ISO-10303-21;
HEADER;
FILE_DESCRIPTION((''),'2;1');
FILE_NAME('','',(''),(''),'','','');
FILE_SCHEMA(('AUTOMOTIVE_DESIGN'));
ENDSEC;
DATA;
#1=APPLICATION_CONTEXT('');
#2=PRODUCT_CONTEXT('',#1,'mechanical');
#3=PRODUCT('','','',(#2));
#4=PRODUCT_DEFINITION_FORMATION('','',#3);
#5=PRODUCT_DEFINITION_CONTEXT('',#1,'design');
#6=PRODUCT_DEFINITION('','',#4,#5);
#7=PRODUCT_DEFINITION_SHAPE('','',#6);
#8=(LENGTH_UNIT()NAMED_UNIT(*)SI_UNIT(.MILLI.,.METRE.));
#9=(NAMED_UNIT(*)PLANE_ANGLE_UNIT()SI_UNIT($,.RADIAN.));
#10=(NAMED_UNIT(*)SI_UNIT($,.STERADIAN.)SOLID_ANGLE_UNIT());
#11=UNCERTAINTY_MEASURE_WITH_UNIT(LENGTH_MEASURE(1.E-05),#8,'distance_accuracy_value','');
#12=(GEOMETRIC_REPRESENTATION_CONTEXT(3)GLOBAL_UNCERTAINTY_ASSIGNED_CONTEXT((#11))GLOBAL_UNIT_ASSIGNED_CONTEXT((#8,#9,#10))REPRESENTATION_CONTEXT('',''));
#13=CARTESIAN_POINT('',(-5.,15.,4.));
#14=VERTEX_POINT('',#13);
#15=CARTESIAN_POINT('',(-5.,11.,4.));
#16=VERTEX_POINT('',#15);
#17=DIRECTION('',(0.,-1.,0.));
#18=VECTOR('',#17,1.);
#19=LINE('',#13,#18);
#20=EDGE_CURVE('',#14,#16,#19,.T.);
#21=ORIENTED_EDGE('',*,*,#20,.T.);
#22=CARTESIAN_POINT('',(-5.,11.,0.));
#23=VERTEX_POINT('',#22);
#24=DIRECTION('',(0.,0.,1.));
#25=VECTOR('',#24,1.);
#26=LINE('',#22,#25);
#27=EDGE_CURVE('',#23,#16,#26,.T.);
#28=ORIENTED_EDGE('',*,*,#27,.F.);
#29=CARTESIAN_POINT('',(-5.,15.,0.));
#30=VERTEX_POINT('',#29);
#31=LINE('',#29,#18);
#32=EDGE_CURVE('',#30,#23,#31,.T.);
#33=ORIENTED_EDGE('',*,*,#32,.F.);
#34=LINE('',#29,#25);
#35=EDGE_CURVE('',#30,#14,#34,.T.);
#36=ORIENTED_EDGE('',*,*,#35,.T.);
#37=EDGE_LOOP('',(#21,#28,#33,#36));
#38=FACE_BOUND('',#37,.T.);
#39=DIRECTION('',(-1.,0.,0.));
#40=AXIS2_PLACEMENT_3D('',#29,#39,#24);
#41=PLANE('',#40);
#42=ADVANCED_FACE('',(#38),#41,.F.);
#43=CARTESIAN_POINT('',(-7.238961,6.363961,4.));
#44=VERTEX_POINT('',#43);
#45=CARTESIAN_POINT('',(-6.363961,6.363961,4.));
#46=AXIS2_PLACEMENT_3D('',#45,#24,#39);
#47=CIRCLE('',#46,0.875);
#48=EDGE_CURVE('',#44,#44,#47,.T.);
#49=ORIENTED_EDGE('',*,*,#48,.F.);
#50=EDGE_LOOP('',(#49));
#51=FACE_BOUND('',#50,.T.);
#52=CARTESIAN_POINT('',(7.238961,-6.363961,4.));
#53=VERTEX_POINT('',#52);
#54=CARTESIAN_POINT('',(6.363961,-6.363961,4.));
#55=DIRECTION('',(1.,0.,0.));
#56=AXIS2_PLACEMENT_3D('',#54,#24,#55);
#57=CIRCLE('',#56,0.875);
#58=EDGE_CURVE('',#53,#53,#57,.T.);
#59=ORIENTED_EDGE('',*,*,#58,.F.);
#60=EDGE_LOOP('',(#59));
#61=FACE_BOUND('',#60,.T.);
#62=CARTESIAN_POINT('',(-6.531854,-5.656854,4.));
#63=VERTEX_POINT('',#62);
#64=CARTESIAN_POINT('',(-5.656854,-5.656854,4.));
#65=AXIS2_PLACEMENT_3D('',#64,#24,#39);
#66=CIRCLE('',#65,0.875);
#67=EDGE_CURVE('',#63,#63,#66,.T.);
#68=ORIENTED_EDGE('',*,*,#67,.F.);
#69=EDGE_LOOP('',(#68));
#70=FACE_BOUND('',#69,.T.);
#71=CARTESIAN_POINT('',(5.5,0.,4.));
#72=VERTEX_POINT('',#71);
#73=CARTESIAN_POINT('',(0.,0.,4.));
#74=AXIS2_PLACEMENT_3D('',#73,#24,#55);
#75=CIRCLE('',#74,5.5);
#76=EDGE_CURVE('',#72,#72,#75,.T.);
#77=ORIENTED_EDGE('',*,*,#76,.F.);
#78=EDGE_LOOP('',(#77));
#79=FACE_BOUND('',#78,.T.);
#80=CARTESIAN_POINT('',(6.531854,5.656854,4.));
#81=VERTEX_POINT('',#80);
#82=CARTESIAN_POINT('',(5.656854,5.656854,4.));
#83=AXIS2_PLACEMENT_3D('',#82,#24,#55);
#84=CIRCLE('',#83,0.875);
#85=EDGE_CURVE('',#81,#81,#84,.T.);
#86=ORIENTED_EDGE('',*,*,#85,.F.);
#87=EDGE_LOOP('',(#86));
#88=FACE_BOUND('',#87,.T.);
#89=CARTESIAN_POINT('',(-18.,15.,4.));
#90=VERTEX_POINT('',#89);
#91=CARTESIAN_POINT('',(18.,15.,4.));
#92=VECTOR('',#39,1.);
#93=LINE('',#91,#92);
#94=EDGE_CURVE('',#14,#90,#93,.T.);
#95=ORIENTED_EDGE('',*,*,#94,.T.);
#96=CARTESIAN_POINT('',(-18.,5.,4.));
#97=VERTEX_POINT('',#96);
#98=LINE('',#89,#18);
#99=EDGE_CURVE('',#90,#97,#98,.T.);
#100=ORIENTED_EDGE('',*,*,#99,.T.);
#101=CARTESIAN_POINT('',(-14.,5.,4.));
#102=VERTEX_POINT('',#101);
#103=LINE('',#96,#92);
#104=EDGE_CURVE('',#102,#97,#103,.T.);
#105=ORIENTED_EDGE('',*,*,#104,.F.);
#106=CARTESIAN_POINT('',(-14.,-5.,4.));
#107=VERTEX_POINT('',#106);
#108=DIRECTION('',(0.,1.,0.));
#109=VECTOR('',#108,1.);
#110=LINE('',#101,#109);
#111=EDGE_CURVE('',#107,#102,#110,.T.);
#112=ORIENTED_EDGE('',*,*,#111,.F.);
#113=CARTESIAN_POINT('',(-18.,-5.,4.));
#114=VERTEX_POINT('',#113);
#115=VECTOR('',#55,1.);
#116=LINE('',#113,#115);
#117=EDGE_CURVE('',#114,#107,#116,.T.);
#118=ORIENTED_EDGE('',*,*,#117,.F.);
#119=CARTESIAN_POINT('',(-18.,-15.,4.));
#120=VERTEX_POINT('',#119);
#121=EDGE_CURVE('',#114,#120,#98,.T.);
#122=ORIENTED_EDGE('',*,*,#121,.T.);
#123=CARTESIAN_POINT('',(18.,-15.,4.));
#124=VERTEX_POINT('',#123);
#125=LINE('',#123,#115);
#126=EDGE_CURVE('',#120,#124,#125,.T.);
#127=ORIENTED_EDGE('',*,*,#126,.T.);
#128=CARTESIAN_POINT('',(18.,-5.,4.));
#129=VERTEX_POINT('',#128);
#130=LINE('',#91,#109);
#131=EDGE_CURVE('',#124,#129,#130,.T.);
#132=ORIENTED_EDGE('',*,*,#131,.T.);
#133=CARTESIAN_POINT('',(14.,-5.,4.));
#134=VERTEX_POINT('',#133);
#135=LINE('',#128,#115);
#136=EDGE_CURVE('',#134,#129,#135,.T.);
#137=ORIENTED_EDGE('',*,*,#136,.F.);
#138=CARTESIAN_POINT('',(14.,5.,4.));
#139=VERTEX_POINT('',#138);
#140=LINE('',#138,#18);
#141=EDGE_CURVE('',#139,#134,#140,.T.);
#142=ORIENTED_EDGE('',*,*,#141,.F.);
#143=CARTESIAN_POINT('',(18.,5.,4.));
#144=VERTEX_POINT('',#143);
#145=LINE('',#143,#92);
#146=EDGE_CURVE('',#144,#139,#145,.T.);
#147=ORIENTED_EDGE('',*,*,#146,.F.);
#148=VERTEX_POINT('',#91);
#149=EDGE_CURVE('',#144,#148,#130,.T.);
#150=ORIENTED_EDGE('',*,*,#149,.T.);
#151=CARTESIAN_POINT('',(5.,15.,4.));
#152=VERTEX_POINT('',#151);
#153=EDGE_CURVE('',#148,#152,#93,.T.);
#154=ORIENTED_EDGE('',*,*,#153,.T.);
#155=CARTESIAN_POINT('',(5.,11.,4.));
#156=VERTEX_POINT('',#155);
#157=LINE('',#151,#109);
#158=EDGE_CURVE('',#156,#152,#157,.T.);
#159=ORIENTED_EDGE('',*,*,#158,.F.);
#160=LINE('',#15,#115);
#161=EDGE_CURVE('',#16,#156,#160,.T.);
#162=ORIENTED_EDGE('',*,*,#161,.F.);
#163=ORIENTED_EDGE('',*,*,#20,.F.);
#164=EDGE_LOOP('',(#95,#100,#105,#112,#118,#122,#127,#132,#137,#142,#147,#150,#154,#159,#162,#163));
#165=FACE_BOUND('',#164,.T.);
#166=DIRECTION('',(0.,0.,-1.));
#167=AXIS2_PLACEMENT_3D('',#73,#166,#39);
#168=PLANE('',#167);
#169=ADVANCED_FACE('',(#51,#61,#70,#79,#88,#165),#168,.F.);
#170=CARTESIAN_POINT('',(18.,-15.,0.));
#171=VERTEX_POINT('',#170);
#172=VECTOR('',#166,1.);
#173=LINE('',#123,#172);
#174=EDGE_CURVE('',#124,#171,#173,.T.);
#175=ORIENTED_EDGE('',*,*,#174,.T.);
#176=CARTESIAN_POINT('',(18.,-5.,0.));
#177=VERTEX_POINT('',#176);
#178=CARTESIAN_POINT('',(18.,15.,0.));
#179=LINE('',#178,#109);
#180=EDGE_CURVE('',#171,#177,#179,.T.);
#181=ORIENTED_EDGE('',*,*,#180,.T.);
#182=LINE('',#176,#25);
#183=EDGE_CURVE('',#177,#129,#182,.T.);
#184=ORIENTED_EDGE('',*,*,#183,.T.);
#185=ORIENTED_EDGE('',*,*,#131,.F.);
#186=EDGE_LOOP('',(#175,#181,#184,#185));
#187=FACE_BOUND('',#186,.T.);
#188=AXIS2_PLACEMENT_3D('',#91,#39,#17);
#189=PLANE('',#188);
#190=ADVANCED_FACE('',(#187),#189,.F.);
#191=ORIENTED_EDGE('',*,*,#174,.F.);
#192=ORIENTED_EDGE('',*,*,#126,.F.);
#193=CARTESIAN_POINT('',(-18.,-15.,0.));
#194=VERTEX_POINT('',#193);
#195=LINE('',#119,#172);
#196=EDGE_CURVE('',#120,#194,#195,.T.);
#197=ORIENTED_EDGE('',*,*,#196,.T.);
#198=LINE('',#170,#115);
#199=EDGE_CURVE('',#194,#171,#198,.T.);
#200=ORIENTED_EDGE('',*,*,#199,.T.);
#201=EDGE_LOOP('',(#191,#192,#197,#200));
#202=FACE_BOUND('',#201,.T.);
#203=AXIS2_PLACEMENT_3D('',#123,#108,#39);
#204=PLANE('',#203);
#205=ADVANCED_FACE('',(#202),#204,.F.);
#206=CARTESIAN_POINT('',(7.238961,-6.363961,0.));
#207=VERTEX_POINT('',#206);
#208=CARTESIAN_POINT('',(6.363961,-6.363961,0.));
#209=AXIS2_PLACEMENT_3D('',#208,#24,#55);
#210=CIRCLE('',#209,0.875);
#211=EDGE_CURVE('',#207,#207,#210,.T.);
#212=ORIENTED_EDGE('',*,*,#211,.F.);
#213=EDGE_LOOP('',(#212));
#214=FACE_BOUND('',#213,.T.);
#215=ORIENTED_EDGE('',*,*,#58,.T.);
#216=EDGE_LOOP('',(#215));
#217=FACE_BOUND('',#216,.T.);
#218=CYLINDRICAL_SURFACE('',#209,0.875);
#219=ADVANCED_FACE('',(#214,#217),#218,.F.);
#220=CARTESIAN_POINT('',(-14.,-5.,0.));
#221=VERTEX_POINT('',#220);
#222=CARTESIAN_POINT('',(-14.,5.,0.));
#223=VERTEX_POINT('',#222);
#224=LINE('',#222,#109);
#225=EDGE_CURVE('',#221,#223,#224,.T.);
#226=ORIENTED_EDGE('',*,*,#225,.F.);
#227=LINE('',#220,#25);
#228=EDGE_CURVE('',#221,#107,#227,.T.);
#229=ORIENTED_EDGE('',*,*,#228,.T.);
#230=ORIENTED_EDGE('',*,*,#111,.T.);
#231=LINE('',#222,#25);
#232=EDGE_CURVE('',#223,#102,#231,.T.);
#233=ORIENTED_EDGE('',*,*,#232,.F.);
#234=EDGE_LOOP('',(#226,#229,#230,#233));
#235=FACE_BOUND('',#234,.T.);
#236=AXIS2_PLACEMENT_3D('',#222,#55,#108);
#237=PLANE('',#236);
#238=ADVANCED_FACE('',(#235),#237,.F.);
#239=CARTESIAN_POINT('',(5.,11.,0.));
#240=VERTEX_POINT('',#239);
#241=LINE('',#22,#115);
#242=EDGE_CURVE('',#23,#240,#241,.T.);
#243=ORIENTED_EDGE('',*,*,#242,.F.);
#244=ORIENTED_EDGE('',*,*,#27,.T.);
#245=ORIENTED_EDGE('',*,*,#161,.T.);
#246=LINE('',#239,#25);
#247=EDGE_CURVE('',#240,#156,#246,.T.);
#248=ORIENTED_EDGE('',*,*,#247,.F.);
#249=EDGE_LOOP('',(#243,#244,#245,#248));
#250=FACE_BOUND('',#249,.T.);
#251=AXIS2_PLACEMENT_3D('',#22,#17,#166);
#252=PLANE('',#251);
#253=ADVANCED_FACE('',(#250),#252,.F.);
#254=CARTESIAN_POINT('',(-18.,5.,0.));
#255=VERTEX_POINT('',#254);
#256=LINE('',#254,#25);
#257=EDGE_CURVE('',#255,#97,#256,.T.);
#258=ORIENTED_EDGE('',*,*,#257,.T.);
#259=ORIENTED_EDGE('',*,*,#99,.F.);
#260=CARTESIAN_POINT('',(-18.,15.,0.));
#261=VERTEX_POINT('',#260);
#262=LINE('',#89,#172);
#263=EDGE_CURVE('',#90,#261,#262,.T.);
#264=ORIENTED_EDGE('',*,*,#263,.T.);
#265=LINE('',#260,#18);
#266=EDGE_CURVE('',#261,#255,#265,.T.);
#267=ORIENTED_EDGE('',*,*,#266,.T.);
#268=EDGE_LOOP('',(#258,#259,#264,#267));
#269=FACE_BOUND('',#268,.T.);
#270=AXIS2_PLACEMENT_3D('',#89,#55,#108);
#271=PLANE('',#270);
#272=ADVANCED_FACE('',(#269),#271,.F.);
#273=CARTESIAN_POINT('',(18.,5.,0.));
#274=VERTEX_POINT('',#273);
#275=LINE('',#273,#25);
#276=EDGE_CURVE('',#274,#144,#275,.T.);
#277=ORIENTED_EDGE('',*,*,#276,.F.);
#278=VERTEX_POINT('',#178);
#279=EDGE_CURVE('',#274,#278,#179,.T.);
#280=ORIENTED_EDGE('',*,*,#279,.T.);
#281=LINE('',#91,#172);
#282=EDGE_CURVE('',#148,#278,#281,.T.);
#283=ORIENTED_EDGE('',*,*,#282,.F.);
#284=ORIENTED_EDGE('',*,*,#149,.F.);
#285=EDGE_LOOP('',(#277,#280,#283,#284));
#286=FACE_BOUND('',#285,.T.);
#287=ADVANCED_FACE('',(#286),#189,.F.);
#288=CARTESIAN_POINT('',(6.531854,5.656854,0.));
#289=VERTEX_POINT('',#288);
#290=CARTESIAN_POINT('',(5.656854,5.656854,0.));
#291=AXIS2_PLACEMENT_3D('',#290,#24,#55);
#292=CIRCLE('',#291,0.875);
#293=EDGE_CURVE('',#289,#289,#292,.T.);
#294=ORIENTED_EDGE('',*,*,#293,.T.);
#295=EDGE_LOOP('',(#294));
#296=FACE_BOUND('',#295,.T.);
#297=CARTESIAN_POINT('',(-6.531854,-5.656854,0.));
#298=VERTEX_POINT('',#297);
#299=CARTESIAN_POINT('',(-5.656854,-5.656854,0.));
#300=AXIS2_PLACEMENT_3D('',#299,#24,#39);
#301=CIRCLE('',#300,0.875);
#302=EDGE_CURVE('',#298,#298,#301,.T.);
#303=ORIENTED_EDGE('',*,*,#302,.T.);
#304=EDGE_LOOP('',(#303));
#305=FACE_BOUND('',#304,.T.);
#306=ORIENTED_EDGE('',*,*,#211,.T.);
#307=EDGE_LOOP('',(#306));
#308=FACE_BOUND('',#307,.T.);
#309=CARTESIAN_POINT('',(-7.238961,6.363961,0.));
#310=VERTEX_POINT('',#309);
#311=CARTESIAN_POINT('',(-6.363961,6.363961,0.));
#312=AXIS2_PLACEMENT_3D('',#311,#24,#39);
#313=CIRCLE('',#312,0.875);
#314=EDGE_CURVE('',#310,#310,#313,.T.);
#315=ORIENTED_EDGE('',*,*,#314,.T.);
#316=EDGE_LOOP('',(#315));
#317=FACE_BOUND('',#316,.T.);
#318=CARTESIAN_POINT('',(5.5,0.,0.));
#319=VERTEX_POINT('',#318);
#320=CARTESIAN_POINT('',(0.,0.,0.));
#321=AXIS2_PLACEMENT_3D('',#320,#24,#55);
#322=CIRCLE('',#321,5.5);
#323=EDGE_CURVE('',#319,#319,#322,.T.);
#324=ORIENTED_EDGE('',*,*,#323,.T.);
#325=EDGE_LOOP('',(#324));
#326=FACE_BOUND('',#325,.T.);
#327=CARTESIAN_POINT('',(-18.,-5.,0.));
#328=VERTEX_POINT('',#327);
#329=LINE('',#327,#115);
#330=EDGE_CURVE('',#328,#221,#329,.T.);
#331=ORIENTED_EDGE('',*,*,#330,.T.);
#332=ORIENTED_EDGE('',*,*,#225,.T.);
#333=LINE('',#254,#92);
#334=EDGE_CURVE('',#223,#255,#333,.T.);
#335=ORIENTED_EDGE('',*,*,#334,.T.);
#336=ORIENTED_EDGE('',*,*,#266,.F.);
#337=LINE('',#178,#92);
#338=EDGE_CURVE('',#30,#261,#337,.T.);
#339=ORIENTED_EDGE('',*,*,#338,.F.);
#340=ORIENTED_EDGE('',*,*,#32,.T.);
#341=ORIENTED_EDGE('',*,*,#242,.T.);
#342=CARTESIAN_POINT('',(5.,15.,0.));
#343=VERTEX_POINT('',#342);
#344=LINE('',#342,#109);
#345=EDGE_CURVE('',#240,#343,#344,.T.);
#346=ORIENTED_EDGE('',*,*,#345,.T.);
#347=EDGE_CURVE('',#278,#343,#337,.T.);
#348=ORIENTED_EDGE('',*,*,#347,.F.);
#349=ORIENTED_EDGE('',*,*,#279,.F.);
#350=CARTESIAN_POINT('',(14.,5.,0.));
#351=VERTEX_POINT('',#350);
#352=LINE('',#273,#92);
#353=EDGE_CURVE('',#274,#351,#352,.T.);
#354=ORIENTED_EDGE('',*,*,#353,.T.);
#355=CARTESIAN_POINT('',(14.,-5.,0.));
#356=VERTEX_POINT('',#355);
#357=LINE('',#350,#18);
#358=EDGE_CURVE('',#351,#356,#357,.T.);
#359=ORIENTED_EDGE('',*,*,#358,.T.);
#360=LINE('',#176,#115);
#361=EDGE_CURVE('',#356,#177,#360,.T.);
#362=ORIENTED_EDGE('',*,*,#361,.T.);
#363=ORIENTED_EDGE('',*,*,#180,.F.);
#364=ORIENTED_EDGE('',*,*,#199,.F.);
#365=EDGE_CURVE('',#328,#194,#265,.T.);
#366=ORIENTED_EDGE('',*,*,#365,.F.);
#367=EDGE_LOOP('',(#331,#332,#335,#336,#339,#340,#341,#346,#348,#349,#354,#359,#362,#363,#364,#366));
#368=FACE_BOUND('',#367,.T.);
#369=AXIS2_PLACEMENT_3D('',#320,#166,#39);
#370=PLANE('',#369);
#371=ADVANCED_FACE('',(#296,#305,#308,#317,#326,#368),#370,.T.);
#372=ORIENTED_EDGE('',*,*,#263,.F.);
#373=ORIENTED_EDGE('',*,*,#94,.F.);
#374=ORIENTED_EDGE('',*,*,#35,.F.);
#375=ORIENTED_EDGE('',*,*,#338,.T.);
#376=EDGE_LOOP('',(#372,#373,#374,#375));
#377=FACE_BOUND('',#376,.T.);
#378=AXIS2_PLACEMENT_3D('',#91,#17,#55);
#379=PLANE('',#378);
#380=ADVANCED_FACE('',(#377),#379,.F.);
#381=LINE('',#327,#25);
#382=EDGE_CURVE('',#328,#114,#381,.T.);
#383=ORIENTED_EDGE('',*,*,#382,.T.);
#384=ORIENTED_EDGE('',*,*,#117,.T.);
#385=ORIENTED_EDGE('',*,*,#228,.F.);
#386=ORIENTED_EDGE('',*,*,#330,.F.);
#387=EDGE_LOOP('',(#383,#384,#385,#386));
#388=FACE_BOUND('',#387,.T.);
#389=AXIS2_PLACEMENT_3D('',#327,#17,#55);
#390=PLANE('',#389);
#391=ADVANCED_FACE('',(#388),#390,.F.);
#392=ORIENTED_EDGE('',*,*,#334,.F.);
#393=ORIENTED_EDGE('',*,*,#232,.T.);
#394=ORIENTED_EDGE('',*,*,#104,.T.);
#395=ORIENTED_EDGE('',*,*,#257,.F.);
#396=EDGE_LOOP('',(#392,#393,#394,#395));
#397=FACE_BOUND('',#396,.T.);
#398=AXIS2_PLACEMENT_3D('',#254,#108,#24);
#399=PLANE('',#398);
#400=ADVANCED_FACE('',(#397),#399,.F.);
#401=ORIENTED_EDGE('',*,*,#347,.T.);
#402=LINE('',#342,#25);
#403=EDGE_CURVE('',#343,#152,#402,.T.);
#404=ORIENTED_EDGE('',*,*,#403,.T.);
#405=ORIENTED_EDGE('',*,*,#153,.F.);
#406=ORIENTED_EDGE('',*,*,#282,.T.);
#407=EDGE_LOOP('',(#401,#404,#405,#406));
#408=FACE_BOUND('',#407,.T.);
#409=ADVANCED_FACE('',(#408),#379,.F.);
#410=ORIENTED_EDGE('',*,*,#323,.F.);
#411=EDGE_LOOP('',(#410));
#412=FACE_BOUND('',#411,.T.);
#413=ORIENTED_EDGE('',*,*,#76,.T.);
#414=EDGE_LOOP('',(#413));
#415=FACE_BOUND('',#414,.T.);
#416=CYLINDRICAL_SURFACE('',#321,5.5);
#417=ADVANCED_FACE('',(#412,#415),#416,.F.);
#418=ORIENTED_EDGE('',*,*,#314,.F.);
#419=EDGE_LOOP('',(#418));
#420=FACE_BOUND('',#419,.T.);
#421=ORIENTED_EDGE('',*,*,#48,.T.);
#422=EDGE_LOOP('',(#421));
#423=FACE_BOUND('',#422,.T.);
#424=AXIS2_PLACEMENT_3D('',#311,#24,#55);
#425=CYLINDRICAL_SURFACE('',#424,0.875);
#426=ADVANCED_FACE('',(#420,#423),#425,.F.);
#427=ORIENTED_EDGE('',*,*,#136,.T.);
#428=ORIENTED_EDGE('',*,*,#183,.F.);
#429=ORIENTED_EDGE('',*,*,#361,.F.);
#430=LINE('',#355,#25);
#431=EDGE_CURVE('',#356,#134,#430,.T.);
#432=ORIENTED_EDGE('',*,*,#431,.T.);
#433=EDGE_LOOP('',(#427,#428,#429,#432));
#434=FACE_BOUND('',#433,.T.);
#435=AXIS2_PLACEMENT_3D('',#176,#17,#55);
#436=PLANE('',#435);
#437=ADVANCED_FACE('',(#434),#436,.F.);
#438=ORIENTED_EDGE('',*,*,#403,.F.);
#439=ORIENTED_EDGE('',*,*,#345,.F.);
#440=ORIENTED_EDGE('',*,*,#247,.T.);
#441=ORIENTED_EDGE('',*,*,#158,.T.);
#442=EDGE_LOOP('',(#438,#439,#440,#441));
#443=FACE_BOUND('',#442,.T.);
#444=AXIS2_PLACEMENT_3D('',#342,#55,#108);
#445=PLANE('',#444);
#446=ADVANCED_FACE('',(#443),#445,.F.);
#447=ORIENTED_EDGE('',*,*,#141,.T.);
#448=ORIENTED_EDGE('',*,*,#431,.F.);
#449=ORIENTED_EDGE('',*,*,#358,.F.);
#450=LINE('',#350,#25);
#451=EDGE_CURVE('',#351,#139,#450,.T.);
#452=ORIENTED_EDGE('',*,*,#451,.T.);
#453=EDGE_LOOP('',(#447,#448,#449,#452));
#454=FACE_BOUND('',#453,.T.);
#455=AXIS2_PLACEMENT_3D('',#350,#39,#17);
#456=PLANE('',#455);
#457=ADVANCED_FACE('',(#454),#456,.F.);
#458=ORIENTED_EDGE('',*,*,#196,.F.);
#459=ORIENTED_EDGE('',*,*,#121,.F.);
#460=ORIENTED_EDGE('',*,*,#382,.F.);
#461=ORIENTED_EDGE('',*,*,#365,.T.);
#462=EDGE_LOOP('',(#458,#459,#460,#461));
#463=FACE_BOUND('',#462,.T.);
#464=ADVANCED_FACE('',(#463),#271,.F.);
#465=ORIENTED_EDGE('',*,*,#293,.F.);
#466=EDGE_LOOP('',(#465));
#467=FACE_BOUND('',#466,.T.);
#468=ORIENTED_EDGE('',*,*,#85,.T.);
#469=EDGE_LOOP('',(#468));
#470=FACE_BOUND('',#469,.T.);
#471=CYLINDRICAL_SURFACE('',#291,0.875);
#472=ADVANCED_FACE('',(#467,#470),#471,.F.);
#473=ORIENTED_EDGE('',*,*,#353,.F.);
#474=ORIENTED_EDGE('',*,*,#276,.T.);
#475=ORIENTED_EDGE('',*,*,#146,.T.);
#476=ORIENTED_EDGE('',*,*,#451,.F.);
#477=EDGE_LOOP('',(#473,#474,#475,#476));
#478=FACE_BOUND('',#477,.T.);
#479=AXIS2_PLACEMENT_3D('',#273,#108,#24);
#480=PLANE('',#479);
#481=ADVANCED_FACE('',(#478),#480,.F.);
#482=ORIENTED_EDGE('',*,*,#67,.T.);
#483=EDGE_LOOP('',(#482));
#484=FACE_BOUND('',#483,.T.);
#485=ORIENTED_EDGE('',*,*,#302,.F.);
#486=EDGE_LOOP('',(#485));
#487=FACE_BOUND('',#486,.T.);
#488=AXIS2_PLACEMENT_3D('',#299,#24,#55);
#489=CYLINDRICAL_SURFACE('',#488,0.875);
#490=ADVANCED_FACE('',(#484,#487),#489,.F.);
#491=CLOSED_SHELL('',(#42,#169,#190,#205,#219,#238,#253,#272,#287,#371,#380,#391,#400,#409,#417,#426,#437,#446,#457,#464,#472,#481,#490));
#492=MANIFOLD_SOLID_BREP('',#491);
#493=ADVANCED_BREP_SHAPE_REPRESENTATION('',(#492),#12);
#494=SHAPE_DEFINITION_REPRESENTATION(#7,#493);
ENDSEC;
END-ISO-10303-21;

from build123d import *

# Parameters (mm, degrees)
SKIZZE1_W                       = 36
SKIZZE1_H                       = 30
AUFSATZ_LINEAR_AUSTRAGEN1_DEPTH = 4
SKIZZE2_R                       = 5.5
SKIZZE2_R_2                     = 0.875
SCHNITT_LINEAR_AUSTRAGEN1_DEPTH = 4
SKIZZE3_W                       = 4
SKIZZE3_H                       = 10
SKIZZE3_W_2                     = 10
SKIZZE3_H_2                     = 4
SCHNITT_LINEAR_AUSTRAGEN2_DEPTH = 24.769728648


with BuildPart() as part:
    # Skizze1 → Aufsatz-Linear austragen1 (new body)
    with BuildSketch(Plane.XY):
        Rectangle(SKIZZE1_W, SKIZZE1_H)
    extrude(amount=AUFSATZ_LINEAR_AUSTRAGEN1_DEPTH)

    # Skizze2 → Schnitt-Linear austragen1 (cut)
    with BuildSketch(Plane.XY.offset(4)):
        Circle(SKIZZE2_R)
        with Locations((5.656854249, 5.656854249)):
            Circle(SKIZZE2_R_2)
        with Locations((6.363961031, -6.363961031)):
            Circle(SKIZZE2_R_2)
        with Locations(Location((-5.656854249, -5.656854249, 0), (0, 0, 180))):
            Circle(SKIZZE2_R_2)
        with Locations(Location((-6.363961031, 6.363961031, 0), (0, 0, 180))):
            Circle(SKIZZE2_R_2)
    extrude(amount=-SCHNITT_LINEAR_AUSTRAGEN1_DEPTH, mode=Mode.SUBTRACT)

    # Skizze3 → Schnitt-Linear austragen2 (cut, through all)
    with BuildSketch(Plane.XY.offset(4)):
        with Locations((-16, 0)):
            Rectangle(SKIZZE3_W, SKIZZE3_H)
        with Locations((0, 13)):
            Rectangle(SKIZZE3_W_2, SKIZZE3_H_2)
        with Locations((16, 0)):
            Rectangle(SKIZZE3_W, SKIZZE3_H)
    extrude(amount=-SCHNITT_LINEAR_AUSTRAGEN2_DEPTH, mode=Mode.SUBTRACT)


solid = part.part
